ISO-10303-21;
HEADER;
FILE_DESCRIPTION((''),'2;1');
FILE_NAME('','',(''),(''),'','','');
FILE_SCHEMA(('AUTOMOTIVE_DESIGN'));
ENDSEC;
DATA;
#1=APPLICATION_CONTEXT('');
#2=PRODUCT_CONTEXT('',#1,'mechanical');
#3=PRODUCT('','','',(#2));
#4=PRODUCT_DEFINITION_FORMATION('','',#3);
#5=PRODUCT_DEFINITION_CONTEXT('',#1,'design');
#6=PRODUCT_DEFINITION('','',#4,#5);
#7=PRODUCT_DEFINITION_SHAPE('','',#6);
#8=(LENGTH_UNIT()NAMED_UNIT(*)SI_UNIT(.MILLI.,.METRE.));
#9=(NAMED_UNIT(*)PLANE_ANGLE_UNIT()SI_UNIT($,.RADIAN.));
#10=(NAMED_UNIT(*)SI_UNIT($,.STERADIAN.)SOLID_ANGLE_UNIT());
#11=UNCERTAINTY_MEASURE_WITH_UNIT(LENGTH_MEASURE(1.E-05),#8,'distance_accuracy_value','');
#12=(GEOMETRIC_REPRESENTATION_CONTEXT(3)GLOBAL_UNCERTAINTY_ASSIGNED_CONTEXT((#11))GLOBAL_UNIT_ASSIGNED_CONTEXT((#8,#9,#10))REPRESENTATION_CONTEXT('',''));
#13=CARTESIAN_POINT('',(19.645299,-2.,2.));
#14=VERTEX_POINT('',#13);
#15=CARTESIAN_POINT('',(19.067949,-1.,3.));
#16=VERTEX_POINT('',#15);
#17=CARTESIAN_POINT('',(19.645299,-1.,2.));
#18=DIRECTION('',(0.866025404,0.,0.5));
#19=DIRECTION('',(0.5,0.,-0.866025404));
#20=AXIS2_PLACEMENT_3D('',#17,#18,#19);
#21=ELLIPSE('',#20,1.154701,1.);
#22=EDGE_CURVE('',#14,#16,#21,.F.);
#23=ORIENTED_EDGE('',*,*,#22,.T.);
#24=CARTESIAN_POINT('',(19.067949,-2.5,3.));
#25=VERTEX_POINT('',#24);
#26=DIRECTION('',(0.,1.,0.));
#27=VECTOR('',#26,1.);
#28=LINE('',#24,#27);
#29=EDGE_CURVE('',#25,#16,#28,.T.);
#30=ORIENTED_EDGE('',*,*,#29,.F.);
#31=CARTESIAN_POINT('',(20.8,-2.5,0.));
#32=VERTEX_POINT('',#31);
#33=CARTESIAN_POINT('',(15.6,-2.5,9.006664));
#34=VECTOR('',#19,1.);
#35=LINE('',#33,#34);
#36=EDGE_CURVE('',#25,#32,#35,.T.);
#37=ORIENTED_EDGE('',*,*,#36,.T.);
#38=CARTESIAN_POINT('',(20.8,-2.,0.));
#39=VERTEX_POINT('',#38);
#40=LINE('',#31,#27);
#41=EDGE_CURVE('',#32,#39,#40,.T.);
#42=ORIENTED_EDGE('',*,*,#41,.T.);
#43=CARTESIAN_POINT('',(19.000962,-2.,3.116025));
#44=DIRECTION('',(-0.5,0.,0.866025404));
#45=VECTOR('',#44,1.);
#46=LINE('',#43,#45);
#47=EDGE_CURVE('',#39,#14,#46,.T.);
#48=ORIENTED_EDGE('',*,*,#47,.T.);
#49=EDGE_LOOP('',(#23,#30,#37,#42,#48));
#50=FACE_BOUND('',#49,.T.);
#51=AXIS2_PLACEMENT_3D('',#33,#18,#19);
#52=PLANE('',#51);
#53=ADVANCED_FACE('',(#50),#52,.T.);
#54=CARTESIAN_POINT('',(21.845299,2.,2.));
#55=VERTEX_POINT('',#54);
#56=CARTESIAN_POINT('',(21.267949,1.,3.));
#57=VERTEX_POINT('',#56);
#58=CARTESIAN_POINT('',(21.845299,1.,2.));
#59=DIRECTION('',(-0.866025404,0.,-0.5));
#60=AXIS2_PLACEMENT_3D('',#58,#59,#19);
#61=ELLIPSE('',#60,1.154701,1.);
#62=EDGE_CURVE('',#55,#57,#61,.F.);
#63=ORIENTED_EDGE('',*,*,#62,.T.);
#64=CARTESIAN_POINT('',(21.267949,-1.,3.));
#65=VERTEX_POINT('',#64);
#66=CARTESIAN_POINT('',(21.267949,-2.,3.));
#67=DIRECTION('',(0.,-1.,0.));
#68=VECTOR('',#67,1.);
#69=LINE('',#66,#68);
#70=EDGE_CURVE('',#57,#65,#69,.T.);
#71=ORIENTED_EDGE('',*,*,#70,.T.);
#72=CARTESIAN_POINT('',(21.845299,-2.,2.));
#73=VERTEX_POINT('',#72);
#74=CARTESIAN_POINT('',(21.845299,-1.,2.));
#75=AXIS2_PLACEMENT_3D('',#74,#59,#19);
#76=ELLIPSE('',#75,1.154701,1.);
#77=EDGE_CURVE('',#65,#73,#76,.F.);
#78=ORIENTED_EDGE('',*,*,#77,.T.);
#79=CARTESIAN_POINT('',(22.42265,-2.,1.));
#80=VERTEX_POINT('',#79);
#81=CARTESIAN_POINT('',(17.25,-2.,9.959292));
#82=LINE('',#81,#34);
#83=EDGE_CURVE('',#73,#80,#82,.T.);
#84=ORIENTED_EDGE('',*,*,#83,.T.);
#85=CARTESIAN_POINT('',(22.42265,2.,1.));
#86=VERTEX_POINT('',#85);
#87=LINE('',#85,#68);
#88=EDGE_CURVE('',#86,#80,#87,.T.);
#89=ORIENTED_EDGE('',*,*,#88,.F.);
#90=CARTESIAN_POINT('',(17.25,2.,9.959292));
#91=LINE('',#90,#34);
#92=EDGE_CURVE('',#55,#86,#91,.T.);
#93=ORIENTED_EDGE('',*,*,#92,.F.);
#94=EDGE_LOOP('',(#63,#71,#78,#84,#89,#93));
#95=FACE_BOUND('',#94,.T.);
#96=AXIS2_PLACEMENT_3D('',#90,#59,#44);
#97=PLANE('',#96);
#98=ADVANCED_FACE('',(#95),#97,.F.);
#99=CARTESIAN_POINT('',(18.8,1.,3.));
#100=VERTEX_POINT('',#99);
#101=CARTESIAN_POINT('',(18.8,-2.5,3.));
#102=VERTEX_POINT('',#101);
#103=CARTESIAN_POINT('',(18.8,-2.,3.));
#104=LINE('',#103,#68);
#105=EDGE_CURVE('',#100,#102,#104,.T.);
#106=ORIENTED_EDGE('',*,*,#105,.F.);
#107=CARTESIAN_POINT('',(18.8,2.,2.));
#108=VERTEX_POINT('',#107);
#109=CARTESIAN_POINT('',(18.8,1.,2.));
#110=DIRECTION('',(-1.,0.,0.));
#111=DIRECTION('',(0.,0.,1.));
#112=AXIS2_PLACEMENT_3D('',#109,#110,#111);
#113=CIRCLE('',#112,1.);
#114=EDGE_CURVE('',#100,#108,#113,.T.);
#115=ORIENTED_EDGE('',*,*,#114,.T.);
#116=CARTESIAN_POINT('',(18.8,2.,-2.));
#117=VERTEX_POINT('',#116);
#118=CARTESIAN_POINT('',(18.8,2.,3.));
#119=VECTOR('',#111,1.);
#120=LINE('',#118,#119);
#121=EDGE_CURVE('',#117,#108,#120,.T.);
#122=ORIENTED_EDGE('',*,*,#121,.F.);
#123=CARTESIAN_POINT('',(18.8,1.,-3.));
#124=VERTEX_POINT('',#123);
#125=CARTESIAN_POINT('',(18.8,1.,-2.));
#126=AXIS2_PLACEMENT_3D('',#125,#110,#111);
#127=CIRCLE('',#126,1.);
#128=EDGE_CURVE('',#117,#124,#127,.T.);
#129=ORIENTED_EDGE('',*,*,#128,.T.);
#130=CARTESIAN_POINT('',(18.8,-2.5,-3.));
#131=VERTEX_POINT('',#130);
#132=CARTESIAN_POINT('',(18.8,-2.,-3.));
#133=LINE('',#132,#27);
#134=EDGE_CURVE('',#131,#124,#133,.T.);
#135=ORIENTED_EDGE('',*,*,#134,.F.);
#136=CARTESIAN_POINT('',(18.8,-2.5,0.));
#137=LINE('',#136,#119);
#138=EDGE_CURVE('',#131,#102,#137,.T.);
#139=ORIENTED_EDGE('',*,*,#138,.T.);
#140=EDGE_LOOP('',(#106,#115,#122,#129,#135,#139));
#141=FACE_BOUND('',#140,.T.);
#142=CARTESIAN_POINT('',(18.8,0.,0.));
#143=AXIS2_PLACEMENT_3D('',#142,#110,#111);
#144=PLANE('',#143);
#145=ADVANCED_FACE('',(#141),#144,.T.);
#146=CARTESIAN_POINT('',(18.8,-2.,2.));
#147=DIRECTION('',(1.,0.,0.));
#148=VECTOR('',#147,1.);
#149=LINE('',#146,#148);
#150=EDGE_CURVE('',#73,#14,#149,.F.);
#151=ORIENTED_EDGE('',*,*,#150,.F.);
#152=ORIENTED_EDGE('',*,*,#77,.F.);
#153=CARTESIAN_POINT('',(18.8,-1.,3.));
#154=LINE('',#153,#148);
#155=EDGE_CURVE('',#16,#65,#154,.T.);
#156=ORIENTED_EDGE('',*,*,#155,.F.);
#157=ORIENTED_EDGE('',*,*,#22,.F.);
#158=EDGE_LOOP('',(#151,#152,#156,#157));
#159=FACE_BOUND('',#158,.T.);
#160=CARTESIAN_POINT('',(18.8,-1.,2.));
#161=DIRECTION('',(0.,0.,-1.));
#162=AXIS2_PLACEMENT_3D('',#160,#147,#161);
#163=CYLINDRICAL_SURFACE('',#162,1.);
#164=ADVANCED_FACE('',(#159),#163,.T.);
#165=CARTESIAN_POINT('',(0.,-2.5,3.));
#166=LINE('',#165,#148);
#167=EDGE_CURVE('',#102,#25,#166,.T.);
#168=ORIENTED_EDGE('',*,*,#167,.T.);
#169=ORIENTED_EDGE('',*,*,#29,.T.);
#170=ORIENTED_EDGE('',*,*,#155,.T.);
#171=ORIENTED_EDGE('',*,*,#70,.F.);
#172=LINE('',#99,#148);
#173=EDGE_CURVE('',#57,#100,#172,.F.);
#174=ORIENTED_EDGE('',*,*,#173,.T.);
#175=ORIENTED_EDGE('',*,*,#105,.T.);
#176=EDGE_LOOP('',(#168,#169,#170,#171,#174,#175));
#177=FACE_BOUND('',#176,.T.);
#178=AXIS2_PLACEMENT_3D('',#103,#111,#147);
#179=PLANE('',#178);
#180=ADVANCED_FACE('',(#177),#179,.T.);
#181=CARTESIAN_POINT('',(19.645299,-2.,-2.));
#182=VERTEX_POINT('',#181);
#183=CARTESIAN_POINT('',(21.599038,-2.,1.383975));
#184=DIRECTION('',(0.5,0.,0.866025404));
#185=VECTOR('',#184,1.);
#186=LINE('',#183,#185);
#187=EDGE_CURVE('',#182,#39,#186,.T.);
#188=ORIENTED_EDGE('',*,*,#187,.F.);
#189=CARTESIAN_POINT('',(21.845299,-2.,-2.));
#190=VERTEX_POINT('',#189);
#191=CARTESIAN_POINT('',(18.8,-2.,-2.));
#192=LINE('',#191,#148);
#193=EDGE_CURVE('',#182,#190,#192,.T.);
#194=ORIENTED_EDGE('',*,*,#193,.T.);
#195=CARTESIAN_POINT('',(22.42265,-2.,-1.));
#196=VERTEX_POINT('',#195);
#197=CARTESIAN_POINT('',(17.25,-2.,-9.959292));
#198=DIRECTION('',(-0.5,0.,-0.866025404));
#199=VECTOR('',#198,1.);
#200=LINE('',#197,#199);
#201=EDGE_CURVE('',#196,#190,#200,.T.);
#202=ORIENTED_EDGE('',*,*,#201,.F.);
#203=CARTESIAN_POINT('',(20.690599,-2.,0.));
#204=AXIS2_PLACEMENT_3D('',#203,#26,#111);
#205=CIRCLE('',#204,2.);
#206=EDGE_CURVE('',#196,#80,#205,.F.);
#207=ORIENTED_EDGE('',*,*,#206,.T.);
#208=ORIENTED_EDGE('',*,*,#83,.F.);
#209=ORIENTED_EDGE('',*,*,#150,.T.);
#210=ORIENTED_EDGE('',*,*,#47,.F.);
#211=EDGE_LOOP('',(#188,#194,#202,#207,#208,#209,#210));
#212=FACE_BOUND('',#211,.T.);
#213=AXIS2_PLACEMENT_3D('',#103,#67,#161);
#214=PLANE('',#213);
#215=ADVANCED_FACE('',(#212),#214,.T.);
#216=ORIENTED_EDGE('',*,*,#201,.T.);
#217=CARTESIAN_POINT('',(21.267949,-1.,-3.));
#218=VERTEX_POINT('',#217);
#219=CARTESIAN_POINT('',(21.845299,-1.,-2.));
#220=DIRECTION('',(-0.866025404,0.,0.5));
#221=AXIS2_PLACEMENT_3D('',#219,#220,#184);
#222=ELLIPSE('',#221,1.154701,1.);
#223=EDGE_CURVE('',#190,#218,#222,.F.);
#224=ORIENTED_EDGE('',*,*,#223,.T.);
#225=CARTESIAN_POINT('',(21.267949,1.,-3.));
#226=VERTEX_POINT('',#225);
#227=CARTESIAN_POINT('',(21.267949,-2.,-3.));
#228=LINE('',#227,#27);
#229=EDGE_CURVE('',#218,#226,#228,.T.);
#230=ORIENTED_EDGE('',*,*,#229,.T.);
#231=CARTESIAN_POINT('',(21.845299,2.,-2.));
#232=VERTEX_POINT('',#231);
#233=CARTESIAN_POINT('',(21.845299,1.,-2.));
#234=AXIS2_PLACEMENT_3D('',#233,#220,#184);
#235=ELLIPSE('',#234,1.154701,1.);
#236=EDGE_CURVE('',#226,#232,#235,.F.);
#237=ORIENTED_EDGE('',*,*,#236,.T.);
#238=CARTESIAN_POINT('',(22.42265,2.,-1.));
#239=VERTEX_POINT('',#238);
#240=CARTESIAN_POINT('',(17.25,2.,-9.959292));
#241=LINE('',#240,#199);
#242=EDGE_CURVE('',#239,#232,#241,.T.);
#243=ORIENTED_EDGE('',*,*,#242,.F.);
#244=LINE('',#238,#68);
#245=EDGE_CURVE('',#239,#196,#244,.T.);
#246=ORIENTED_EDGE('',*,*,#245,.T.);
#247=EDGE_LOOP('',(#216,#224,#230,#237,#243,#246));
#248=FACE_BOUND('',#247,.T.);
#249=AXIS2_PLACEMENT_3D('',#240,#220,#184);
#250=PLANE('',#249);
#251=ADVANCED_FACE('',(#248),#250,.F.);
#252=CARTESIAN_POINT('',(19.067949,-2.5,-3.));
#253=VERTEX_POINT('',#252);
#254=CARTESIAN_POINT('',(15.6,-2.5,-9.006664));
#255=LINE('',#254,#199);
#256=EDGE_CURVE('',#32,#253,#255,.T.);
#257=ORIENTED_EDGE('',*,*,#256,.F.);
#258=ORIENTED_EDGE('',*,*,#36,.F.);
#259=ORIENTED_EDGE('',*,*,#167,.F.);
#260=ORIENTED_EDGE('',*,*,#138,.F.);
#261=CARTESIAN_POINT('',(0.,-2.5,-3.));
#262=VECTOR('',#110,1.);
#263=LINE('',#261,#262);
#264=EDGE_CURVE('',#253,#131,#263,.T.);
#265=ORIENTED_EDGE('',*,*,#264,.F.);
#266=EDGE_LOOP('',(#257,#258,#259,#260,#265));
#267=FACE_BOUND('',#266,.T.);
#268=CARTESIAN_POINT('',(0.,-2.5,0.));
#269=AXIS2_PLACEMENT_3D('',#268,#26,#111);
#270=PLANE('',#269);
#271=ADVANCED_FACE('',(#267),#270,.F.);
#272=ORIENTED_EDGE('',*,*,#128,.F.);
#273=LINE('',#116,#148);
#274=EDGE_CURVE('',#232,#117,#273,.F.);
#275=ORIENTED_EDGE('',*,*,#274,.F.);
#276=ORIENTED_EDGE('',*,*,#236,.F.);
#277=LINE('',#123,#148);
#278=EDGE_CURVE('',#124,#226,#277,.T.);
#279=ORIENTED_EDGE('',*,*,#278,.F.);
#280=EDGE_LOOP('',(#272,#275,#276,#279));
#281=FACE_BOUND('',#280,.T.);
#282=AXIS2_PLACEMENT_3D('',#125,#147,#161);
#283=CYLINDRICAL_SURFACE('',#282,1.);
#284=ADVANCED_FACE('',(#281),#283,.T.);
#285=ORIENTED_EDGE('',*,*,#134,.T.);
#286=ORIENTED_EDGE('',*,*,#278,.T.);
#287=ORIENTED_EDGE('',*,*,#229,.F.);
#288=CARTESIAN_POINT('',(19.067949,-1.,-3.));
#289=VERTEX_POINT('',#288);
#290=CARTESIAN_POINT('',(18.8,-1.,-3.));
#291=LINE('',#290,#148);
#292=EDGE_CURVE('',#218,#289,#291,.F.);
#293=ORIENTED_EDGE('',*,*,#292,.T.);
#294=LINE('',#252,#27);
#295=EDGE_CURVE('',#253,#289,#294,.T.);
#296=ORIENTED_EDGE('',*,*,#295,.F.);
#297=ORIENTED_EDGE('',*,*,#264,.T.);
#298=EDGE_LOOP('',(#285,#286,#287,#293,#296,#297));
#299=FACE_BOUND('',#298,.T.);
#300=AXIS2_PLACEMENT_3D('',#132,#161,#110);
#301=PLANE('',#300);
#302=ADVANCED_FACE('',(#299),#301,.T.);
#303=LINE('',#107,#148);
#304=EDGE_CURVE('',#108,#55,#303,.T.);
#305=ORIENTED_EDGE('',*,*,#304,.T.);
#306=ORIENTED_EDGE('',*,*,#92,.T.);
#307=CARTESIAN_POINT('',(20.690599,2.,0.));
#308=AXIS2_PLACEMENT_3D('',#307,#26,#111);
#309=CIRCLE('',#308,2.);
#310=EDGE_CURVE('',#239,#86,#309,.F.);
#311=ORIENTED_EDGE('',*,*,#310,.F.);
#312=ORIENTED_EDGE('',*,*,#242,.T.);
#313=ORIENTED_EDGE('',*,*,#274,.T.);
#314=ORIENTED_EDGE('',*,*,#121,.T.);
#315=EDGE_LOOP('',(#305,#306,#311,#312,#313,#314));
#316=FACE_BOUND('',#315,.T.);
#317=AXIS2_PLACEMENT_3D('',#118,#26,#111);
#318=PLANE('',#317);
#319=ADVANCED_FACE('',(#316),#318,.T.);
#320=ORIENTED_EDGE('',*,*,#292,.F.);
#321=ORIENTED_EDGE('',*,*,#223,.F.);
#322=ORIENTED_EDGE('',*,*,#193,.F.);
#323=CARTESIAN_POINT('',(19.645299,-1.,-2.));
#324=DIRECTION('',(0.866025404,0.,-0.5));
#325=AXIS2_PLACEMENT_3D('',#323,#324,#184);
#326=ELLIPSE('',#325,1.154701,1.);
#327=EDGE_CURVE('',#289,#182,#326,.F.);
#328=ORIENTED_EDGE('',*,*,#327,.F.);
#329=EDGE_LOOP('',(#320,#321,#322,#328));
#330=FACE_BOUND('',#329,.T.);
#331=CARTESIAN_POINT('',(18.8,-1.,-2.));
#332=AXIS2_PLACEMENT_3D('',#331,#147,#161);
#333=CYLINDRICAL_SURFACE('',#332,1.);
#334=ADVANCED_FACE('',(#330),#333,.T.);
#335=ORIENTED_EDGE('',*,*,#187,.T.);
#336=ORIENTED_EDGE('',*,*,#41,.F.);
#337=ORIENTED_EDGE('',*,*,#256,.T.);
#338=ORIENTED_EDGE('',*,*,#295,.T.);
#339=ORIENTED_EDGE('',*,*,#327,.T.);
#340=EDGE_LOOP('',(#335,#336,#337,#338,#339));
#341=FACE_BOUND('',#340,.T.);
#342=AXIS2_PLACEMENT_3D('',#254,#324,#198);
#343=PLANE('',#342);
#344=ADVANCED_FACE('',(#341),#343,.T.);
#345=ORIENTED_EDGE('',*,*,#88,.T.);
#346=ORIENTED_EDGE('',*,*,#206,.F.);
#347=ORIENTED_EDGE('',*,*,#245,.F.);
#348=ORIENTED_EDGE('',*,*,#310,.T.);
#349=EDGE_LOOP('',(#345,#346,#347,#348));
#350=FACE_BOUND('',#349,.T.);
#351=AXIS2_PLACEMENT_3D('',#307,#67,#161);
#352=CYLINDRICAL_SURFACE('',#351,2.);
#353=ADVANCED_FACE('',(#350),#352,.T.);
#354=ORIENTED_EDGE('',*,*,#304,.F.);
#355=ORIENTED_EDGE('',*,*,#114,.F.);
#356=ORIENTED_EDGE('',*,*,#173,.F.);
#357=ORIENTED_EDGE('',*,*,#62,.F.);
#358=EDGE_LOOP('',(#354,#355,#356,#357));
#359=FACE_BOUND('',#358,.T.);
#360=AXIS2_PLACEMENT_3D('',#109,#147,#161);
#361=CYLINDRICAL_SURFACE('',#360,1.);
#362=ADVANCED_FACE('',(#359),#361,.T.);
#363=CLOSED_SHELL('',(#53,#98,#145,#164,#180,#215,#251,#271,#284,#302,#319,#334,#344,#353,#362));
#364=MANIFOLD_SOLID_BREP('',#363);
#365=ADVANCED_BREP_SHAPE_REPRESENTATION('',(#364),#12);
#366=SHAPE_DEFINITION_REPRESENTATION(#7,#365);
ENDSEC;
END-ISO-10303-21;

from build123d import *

# Parameters (mm, degrees)
BOSS_EXTRUDE1_START      = 23
SKETCH1_W                = 6
SKETCH1_H                = 4
BOSS_EXTRUDE1_DEPTH      = 4.2
CUT_EXTRUDE1_DEPTH       = 24.280893454
CUT_EXTRUDE1_DEPTH_BACK  = 24.280893454
BOSS_EXTRUDE3_DEPTH      = 2
BOSS_EXTRUDE3_DEPTH_BACK = 2.5
FILLET2_R                = 1


with BuildPart() as part:
    # Sketch1 → Boss-Extrude1 (new body)
    with BuildSketch(Plane(origin=(0, 0, 0), x_dir=(0, 0, -1), z_dir=(1, 0, 0)).offset(BOSS_EXTRUDE1_START)):
        Rectangle(SKETCH1_W, SKETCH1_H)
    extrude(amount=-BOSS_EXTRUDE1_DEPTH)

    # Sketch2 → Cut-Extrude1 (cut, two sides)
    with BuildSketch(Plane(origin=(0, 0, 0), x_dir=(1, 0, 0), z_dir=(0, 1, 0))) as cut_extrude1_sk:
        with BuildLine():
            Line((22.422649731, 1), (11.5, 19.918584287))
            Line((11.5, 19.918584287), (23, 19.918584287))
            Line((23, 19.918584287), (23, -19.918584287))
            Line((23, -19.918584287), (11.5, -19.918584287))
            Line((11.5, -19.918584287), (22.422649731, -1))
            ThreePointArc((22.422649731, -1), (22.690598923, 0), (22.422649731, 1))
        make_face()
    extrude(amount=CUT_EXTRUDE1_DEPTH, mode=Mode.SUBTRACT)
    extrude(cut_extrude1_sk.sketch, amount=-CUT_EXTRUDE1_DEPTH_BACK, mode=Mode.SUBTRACT)

    # Sketch5 → Boss-Extrude3 (add, two sides)
    with BuildSketch(Plane(origin=(0, 0, 0), x_dir=(1, 0, 0), z_dir=(0, 1, 0))) as boss_extrude3_sk:
        Polygon((19.067949192, -3), (20.8, 0), (19.067949192, 3), (18.8, 3), (18.8, -3), align=None)
    extrude(amount=BOSS_EXTRUDE3_DEPTH)
    extrude(boss_extrude3_sk.sketch, amount=-BOSS_EXTRUDE3_DEPTH_BACK)

    # Fillet2
    fillet2_edges = [part.edges().sort_by_distance(p)[0] for p in [
        (20.167949192, -2, 3),
        (20.167949192, -2, -3),
        (20.033974596, 2, 3),
        (20.033974596, 2, -3),
    ]]
    fillet(fillet2_edges, radius=FILLET2_R)


solid = part.part
